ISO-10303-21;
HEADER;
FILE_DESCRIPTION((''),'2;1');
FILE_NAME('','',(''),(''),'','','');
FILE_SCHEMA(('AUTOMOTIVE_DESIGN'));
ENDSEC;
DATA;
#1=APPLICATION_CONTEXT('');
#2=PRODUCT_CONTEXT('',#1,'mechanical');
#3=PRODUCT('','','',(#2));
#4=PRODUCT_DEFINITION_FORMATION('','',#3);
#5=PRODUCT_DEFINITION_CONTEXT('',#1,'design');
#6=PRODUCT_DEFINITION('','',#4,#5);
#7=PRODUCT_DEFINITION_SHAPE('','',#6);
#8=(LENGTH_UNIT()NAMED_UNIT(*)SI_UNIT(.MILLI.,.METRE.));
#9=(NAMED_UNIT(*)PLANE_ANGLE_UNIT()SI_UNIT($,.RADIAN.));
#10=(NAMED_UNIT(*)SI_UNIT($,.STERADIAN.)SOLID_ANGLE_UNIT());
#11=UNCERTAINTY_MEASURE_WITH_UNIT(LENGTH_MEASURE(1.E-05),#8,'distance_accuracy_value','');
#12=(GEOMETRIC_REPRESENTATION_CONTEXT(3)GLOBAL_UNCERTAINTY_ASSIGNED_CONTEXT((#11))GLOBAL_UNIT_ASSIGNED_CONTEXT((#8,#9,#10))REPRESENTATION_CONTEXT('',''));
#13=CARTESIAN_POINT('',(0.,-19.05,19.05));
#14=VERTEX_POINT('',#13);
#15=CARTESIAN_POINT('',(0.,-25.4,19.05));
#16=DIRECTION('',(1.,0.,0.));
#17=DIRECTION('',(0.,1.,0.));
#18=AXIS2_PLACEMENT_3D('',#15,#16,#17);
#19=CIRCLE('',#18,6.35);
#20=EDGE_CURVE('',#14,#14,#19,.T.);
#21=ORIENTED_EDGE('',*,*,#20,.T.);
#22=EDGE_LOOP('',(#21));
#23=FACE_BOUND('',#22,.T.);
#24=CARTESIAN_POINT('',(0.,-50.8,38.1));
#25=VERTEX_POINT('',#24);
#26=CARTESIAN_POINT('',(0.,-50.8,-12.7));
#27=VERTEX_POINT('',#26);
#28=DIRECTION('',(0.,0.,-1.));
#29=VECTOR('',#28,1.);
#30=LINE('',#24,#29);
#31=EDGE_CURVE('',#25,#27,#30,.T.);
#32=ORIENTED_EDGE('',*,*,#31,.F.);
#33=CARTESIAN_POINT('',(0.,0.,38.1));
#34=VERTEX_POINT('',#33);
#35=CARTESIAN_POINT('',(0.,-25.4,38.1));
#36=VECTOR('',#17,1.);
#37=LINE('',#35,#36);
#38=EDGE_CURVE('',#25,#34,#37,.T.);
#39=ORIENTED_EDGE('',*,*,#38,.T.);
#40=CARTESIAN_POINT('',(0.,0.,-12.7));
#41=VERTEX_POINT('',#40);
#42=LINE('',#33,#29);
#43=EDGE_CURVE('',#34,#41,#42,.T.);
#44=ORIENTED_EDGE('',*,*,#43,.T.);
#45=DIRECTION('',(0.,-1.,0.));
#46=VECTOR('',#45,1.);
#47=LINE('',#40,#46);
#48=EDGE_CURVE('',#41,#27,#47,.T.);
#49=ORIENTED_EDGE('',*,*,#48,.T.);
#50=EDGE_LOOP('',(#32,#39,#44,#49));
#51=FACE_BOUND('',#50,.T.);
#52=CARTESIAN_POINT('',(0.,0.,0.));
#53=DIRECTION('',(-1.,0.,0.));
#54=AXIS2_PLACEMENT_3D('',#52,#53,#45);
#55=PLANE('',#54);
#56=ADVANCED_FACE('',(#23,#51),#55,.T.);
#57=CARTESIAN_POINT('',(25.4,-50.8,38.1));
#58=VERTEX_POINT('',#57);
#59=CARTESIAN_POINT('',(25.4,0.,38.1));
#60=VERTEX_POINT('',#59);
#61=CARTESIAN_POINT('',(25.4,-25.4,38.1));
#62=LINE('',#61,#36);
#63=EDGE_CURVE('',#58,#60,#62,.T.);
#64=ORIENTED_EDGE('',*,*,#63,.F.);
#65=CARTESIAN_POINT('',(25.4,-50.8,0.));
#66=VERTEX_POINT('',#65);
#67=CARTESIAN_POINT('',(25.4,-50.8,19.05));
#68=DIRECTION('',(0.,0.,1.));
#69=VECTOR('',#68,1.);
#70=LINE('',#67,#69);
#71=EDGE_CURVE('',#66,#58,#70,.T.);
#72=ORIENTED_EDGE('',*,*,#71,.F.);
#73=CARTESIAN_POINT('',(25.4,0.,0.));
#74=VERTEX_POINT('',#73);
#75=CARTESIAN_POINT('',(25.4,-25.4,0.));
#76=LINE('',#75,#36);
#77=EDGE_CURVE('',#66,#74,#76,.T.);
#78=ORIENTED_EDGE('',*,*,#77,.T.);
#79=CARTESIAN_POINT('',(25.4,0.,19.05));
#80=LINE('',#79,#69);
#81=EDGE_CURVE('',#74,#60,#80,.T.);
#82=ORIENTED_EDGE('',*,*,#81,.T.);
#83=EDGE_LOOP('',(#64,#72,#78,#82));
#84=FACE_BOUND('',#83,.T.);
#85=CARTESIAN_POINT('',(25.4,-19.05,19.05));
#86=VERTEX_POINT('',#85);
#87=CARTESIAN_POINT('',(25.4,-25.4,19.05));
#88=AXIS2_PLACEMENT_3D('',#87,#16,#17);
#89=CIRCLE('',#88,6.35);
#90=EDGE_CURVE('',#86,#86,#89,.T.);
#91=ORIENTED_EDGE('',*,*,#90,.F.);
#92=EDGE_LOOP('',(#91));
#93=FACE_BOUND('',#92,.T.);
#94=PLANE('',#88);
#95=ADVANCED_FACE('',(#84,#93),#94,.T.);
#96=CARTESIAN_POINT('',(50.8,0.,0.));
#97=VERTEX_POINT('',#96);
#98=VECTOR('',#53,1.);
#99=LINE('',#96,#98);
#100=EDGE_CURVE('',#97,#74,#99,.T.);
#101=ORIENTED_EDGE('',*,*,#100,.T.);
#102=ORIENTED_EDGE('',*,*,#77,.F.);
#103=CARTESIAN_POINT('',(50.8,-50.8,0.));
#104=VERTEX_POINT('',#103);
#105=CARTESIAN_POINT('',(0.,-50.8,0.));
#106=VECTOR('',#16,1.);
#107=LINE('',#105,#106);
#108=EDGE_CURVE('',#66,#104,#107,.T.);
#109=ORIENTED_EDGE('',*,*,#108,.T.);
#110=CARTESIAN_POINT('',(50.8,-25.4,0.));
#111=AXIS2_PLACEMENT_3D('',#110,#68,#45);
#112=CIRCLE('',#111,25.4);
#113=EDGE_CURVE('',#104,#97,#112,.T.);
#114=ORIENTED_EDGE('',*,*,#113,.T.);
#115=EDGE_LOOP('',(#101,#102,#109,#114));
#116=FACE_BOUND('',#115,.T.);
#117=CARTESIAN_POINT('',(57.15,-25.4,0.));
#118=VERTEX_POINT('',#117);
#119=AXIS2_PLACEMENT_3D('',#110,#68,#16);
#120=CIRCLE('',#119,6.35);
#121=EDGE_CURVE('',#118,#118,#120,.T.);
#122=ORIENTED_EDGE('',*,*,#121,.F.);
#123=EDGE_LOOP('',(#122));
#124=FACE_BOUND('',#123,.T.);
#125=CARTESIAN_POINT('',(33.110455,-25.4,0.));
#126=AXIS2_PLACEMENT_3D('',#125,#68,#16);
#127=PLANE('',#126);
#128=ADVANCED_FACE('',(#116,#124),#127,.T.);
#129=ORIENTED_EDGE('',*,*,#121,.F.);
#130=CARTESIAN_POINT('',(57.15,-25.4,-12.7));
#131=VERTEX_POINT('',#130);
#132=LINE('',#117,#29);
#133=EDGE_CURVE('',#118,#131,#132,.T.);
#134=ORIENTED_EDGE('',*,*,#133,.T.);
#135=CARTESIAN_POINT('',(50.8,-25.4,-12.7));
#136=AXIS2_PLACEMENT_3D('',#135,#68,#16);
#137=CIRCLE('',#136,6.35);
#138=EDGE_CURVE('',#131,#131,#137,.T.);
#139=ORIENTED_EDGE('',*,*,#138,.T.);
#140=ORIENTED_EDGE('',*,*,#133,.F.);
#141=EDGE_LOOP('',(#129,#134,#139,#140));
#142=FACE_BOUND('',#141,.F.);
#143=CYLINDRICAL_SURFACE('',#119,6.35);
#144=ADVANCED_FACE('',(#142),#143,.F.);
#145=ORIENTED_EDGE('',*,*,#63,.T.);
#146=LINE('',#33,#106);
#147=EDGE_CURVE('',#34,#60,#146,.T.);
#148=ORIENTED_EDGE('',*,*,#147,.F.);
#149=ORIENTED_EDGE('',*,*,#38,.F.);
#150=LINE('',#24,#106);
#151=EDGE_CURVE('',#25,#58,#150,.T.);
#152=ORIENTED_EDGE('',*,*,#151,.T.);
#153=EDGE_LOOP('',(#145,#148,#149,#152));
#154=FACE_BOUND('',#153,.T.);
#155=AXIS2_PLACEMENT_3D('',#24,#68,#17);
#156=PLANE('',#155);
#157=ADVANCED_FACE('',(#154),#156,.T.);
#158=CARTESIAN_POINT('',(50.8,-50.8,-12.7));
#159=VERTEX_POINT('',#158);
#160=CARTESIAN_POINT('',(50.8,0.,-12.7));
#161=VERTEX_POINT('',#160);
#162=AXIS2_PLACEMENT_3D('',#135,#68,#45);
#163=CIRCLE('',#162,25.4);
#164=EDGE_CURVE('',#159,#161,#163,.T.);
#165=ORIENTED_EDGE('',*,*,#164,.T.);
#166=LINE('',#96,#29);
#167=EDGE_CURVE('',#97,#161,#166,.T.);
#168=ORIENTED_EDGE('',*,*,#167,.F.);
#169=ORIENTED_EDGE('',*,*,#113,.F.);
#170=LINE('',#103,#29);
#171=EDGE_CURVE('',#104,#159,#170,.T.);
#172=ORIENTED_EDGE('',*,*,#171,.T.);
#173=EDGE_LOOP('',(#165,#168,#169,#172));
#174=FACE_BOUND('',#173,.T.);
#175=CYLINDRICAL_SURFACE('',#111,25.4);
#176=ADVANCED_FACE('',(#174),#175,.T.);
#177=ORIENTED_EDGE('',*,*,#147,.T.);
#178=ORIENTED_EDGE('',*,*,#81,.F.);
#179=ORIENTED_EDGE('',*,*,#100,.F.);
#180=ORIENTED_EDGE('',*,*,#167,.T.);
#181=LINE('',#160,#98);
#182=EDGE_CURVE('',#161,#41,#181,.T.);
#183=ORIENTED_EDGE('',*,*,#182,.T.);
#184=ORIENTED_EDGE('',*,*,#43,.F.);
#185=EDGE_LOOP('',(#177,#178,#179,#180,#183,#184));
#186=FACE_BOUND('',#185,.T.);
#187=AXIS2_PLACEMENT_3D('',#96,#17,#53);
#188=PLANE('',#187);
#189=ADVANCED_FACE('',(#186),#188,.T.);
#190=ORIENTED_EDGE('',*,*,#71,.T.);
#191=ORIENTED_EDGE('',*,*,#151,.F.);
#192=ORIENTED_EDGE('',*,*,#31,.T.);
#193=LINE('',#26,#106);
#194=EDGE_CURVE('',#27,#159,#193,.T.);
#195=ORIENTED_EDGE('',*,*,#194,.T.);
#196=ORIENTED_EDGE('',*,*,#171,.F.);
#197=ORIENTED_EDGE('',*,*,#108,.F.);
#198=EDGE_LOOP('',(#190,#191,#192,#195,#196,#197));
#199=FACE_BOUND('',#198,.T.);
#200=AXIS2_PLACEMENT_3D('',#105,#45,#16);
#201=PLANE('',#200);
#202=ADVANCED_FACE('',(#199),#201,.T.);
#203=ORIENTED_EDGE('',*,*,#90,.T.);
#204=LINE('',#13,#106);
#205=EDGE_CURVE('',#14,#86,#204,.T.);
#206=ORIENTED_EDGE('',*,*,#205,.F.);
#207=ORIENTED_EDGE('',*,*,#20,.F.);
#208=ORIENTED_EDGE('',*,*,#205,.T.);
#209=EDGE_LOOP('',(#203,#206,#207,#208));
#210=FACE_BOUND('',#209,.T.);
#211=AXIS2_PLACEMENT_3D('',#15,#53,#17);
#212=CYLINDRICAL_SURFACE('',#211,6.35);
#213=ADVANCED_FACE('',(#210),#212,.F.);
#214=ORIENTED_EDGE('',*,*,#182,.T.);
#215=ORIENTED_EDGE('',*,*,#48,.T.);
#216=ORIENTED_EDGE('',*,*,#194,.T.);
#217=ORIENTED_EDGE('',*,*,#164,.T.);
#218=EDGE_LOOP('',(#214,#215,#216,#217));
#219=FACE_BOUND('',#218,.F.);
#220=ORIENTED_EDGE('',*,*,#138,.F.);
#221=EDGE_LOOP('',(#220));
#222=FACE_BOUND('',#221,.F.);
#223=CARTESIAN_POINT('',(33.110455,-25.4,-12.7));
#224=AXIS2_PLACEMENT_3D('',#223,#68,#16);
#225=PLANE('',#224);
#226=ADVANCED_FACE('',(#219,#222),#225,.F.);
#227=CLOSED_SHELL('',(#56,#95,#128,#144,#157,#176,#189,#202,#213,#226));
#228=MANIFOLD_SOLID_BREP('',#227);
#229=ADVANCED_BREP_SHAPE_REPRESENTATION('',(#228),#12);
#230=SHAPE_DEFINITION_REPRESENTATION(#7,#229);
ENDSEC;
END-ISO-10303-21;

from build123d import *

# Parameters (mm, degrees)
F0_W     = 50.8
F0_H     = 38.1
F0_R     = 6.35
F1_DEPTH = 25.4
F2_R     = 6.35
F3_DEPTH = 12.7


with BuildPart() as f1:
    # F0 (on Right) → F1 (new body)
    with BuildSketch(Plane.YZ):
        with Locations((-25.4, 19.05)):
            Rectangle(F0_W, F0_H)
        with Locations((-25.4, 19.05)):
            Circle(F0_R, mode=Mode.SUBTRACT)
    extrude(amount=F1_DEPTH)

    # F2 (on Top) → F3 (join)
    with BuildSketch(Plane.XY):
        with BuildLine():
            Line((0, -50.8), (50.8, -50.8))
            ThreePointArc((50.8, -50.8), (76.2, -25.4), (50.8, 0))
            Line((50.8, 0), (0, 0))
            Line((0, 0), (0, -50.8))
        make_face()
        with Locations((50.8, -25.4)):
            Circle(F2_R, mode=Mode.SUBTRACT)
    extrude(amount=-F3_DEPTH)


solid = f1.part
